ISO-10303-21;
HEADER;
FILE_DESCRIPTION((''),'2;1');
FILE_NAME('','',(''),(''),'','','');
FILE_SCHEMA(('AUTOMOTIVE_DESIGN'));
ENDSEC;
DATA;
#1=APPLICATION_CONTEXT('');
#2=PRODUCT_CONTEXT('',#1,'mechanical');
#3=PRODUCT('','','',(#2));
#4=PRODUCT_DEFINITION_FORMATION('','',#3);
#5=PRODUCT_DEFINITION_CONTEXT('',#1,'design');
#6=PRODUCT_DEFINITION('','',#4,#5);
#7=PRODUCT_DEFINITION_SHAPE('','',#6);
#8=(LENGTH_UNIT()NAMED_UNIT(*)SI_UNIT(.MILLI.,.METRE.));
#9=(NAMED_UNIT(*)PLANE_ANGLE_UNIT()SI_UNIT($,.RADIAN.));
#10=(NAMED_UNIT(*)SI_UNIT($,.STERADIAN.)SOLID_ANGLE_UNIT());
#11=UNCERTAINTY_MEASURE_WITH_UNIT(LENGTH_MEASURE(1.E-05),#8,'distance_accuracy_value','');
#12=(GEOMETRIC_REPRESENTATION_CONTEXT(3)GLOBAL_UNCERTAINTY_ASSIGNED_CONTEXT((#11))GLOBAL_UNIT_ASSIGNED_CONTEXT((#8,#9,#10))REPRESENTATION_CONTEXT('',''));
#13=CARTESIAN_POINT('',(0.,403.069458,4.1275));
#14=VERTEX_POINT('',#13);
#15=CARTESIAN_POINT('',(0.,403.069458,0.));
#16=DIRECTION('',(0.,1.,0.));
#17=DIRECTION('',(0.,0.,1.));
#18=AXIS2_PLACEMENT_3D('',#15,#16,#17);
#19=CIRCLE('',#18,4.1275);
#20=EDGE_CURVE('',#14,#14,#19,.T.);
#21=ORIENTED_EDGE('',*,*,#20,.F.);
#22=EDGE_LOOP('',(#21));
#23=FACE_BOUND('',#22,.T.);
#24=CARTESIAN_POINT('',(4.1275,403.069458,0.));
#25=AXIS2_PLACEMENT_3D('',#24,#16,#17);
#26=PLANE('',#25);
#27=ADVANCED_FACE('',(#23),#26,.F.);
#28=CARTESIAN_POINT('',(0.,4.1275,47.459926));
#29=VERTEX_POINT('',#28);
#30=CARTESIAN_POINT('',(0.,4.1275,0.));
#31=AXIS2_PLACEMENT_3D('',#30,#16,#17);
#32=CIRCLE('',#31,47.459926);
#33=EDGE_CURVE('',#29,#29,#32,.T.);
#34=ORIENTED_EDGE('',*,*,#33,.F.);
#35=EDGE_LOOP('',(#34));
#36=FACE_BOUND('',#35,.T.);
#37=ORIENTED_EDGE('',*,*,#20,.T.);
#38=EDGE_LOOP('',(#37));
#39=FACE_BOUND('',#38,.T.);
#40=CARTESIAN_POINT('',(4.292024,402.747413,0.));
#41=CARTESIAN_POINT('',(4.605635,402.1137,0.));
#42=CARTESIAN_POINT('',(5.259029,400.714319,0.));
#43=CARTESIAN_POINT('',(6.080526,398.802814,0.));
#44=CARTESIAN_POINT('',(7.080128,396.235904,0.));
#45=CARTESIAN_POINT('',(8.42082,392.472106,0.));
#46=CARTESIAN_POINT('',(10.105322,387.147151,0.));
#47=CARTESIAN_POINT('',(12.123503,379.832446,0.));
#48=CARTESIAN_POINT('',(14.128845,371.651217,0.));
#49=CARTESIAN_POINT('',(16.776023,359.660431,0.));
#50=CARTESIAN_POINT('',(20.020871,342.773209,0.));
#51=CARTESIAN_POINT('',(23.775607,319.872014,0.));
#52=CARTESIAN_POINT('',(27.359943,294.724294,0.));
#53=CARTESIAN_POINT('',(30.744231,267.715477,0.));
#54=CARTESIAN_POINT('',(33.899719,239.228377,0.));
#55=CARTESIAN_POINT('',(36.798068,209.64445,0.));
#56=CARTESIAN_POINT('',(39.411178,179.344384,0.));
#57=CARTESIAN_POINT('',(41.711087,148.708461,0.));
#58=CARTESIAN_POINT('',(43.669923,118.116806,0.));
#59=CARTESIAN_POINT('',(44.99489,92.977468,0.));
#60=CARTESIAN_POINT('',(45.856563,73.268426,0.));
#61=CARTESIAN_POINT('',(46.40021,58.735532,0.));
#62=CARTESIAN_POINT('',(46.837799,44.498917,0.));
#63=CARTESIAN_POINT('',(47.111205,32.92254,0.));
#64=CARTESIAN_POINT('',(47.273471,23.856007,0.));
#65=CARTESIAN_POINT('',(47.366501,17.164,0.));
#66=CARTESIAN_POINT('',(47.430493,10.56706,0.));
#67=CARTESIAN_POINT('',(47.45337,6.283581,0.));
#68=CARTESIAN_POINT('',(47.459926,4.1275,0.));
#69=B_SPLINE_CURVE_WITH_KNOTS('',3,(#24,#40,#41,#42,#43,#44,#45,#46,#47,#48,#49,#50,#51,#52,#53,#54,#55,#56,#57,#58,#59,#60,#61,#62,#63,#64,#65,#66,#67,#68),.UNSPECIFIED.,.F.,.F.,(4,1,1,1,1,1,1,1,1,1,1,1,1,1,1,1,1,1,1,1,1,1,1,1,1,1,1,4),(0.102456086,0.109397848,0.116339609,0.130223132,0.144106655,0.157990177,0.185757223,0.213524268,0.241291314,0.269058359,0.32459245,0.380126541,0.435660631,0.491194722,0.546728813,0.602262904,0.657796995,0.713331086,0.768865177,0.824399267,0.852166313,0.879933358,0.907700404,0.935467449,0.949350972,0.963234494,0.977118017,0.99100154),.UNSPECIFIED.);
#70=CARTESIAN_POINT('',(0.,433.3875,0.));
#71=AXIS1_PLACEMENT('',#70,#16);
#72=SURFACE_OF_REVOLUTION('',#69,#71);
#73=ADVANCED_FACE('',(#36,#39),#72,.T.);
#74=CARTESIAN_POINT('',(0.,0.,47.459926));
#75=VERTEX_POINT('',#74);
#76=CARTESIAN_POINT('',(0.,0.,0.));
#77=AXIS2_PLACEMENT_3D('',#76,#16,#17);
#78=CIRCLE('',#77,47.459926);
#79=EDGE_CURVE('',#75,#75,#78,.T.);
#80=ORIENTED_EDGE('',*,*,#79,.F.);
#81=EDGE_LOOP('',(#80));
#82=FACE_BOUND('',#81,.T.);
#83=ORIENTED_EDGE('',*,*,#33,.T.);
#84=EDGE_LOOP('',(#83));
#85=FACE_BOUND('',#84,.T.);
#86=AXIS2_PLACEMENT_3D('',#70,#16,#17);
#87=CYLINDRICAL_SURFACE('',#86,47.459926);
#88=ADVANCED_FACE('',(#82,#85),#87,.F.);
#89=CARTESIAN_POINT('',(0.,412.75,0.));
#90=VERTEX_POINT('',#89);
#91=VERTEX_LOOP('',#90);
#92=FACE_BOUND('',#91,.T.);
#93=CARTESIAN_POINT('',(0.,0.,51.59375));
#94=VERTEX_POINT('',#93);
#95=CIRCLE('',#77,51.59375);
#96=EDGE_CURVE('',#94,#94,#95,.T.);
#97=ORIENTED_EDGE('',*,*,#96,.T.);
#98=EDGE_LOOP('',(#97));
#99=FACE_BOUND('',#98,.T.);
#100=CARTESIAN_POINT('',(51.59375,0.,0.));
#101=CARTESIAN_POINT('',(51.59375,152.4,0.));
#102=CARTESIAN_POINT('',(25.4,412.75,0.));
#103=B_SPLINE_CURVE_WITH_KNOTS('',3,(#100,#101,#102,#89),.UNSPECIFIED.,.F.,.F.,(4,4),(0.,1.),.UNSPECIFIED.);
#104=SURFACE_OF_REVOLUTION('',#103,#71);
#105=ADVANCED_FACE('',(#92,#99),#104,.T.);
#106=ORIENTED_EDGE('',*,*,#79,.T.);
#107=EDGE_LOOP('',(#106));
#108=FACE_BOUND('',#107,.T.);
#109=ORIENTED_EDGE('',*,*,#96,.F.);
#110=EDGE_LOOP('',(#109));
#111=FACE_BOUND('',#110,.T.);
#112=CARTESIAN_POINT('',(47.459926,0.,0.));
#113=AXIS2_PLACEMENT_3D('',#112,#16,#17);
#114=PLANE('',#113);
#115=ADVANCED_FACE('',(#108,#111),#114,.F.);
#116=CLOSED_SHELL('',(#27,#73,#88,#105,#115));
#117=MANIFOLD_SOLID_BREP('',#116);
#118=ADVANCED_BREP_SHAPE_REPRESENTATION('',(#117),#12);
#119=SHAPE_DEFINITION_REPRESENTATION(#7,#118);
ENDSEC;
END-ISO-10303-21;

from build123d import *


with BuildPart() as part:
    # Sketch1 → Revolve1 (revolve)
    with BuildSketch(Plane.XY):
        with BuildLine():
            Line((0, 403.069458147), (0, 412.75))
            add(Edge.make_bspline(
                [(0, 412.75), (25.4, 412.75), (51.59375, 152.4), (51.59375, 0)],
                knots=[0, 0, 0, 0, 1, 1, 1, 1], degree=3))
            Line((51.59375, 0), (47.459925842, 0))
            Line((47.459925842, 0), (47.459925842, 4.1275))
            add(Edge.make_bspline(
                [(4.1275, 403.069458147), (4.292023637, 402.747413471), (4.605634702, 402.113699513), (5.259029357, 400.714319487), (6.080525572, 398.802814151), (7.080127661, 396.235904149), (8.420819663, 392.4721057), (10.105321711, 387.147151323), (12.123502842, 379.832445691), (14.128845289, 371.65121683), (16.776022866, 359.660430734), (20.020870541, 342.773209039), (23.775606957, 319.872013846), (27.359943181, 294.724294429), (30.744231406, 267.715477189), (33.899718669, 239.22837658), (36.798067521, 209.644450359), (39.411177746, 179.344383779), (41.711086588, 148.708460893), (43.669922699, 118.116805641), (44.994890425, 92.977467608), (45.856563157, 73.268425899), (46.400209896, 58.735532221), (46.837798789, 44.498916895), (47.111204808, 32.922539677), (47.273470952, 23.856006914), (47.366500737, 17.163999749), (47.430492642, 10.567060356), (47.453369816, 6.283580592), (47.459925842, 4.1275)],
                knots=[0.102456086, 0.102456086, 0.102456086, 0.102456086, 0.109397848, 0.116339609, 0.130223132, 0.144106655, 0.157990177, 0.185757223, 0.213524268, 0.241291314, 0.269058359, 0.32459245, 0.380126541, 0.435660631, 0.491194722, 0.546728813, 0.602262904, 0.657796995, 0.713331086, 0.768865177, 0.824399267, 0.852166313, 0.879933358, 0.907700404, 0.935467449, 0.949350972, 0.963234494, 0.977118017, 0.99100154, 0.99100154, 0.99100154, 0.99100154], degree=3))
            Line((4.1275, 403.069458147), (0, 403.069458147))
        make_face()
    revolve(axis=Axis((0, 433.3875, 0), (0, -1, 0)))


solid = part.part
